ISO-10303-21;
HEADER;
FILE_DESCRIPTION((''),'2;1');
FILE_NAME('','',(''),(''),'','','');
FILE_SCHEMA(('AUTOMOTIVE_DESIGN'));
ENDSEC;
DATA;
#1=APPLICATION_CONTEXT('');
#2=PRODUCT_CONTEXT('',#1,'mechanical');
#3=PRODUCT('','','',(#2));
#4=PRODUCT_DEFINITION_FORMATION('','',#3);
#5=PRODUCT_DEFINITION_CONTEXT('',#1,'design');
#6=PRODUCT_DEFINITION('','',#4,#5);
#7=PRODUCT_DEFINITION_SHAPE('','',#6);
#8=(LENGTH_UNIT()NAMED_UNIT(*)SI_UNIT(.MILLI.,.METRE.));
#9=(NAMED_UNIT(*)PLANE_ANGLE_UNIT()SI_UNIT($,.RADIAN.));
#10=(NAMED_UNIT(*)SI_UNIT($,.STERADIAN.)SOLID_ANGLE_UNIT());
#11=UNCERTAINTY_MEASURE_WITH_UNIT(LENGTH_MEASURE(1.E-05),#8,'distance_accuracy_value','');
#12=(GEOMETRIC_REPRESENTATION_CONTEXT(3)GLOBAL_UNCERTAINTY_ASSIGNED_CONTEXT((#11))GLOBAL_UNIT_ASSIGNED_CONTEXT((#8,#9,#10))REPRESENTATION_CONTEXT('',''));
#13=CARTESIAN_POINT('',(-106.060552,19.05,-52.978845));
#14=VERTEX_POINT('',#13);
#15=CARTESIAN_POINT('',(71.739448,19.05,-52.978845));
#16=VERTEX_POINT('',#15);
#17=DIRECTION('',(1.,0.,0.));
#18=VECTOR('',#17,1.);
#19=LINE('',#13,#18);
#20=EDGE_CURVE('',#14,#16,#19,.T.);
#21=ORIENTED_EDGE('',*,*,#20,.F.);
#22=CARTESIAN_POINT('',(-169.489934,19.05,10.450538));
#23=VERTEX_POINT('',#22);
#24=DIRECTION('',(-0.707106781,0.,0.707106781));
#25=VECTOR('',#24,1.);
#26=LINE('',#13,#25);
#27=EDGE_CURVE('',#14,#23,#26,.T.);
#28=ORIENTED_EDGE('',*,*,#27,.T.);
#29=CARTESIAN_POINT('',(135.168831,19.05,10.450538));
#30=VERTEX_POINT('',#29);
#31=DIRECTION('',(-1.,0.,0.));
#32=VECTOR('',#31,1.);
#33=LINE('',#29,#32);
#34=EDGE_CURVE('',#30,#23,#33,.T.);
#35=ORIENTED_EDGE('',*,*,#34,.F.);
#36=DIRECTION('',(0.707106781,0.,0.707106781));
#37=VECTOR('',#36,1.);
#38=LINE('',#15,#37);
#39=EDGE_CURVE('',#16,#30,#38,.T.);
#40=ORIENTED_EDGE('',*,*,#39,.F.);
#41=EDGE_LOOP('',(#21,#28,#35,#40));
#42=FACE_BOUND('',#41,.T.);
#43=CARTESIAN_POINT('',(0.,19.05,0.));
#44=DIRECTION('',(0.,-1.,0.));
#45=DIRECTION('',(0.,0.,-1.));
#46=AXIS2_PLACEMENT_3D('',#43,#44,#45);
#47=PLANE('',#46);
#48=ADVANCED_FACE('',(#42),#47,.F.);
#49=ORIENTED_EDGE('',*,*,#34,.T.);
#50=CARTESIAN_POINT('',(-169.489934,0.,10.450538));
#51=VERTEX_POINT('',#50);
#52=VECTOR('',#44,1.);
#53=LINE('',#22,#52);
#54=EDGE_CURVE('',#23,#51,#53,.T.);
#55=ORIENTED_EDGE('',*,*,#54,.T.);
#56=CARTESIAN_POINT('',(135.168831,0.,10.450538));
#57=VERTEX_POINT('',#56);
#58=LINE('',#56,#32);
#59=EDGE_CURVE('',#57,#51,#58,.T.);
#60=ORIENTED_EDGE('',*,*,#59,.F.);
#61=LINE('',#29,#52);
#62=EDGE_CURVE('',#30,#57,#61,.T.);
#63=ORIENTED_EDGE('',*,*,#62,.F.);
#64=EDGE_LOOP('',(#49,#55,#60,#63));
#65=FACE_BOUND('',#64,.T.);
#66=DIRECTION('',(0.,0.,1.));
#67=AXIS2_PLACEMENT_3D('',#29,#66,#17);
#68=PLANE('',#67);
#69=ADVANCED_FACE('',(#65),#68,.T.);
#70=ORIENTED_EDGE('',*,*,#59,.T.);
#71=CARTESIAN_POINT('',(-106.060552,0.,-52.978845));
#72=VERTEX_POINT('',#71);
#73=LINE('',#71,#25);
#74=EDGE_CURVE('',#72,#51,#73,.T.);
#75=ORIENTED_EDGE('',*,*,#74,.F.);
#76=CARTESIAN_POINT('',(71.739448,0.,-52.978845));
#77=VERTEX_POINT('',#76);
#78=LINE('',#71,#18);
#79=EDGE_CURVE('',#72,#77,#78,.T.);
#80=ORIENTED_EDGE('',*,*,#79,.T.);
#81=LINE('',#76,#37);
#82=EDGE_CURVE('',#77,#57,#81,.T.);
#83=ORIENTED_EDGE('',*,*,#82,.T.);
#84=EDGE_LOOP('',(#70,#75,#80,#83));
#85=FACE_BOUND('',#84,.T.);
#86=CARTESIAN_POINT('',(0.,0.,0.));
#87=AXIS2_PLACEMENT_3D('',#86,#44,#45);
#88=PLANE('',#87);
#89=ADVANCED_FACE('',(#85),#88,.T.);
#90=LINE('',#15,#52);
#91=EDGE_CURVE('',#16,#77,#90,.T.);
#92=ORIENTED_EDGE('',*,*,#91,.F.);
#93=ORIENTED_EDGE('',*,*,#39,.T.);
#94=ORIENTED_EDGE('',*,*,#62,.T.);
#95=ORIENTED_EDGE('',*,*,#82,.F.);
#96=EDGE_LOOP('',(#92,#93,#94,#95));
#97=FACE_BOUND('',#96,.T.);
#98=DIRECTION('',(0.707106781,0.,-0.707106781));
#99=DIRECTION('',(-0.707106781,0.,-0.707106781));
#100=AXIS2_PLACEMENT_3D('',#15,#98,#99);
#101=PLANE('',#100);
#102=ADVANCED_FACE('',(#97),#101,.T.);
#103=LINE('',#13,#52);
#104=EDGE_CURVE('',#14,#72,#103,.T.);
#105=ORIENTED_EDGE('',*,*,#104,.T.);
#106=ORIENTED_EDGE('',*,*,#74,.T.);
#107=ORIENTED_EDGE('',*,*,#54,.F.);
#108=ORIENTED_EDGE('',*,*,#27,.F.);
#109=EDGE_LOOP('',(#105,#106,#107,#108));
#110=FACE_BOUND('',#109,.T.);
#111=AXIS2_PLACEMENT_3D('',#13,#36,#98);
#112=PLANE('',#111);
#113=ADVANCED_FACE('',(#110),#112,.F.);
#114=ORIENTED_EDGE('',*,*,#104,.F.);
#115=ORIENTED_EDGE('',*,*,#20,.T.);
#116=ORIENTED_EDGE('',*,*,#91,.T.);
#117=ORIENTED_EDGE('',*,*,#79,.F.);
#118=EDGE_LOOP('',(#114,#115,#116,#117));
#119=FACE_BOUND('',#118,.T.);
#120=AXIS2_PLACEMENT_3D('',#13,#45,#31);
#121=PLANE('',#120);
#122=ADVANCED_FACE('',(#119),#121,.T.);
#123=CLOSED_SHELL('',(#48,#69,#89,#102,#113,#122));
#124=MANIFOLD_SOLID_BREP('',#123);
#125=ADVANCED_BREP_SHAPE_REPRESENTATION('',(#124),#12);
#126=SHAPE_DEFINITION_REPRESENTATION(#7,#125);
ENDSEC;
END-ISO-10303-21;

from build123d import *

# Parameters (mm, degrees)
BOSS_EXTRUDE1_DEPTH = 19.05


with BuildPart() as part:
    # Sketch1 → Boss-Extrude1 (new body)
    with BuildSketch(Plane(origin=(0, 0, 0), x_dir=(1, 0, 0), z_dir=(0, 1, 0))):
        Polygon((-106.060551681, 52.978844793), (71.739448319, 52.978844793), (135.168830647, -10.450537534), (-169.489934009, -10.450537534), align=None)
    extrude(amount=BOSS_EXTRUDE1_DEPTH)


solid = part.part
